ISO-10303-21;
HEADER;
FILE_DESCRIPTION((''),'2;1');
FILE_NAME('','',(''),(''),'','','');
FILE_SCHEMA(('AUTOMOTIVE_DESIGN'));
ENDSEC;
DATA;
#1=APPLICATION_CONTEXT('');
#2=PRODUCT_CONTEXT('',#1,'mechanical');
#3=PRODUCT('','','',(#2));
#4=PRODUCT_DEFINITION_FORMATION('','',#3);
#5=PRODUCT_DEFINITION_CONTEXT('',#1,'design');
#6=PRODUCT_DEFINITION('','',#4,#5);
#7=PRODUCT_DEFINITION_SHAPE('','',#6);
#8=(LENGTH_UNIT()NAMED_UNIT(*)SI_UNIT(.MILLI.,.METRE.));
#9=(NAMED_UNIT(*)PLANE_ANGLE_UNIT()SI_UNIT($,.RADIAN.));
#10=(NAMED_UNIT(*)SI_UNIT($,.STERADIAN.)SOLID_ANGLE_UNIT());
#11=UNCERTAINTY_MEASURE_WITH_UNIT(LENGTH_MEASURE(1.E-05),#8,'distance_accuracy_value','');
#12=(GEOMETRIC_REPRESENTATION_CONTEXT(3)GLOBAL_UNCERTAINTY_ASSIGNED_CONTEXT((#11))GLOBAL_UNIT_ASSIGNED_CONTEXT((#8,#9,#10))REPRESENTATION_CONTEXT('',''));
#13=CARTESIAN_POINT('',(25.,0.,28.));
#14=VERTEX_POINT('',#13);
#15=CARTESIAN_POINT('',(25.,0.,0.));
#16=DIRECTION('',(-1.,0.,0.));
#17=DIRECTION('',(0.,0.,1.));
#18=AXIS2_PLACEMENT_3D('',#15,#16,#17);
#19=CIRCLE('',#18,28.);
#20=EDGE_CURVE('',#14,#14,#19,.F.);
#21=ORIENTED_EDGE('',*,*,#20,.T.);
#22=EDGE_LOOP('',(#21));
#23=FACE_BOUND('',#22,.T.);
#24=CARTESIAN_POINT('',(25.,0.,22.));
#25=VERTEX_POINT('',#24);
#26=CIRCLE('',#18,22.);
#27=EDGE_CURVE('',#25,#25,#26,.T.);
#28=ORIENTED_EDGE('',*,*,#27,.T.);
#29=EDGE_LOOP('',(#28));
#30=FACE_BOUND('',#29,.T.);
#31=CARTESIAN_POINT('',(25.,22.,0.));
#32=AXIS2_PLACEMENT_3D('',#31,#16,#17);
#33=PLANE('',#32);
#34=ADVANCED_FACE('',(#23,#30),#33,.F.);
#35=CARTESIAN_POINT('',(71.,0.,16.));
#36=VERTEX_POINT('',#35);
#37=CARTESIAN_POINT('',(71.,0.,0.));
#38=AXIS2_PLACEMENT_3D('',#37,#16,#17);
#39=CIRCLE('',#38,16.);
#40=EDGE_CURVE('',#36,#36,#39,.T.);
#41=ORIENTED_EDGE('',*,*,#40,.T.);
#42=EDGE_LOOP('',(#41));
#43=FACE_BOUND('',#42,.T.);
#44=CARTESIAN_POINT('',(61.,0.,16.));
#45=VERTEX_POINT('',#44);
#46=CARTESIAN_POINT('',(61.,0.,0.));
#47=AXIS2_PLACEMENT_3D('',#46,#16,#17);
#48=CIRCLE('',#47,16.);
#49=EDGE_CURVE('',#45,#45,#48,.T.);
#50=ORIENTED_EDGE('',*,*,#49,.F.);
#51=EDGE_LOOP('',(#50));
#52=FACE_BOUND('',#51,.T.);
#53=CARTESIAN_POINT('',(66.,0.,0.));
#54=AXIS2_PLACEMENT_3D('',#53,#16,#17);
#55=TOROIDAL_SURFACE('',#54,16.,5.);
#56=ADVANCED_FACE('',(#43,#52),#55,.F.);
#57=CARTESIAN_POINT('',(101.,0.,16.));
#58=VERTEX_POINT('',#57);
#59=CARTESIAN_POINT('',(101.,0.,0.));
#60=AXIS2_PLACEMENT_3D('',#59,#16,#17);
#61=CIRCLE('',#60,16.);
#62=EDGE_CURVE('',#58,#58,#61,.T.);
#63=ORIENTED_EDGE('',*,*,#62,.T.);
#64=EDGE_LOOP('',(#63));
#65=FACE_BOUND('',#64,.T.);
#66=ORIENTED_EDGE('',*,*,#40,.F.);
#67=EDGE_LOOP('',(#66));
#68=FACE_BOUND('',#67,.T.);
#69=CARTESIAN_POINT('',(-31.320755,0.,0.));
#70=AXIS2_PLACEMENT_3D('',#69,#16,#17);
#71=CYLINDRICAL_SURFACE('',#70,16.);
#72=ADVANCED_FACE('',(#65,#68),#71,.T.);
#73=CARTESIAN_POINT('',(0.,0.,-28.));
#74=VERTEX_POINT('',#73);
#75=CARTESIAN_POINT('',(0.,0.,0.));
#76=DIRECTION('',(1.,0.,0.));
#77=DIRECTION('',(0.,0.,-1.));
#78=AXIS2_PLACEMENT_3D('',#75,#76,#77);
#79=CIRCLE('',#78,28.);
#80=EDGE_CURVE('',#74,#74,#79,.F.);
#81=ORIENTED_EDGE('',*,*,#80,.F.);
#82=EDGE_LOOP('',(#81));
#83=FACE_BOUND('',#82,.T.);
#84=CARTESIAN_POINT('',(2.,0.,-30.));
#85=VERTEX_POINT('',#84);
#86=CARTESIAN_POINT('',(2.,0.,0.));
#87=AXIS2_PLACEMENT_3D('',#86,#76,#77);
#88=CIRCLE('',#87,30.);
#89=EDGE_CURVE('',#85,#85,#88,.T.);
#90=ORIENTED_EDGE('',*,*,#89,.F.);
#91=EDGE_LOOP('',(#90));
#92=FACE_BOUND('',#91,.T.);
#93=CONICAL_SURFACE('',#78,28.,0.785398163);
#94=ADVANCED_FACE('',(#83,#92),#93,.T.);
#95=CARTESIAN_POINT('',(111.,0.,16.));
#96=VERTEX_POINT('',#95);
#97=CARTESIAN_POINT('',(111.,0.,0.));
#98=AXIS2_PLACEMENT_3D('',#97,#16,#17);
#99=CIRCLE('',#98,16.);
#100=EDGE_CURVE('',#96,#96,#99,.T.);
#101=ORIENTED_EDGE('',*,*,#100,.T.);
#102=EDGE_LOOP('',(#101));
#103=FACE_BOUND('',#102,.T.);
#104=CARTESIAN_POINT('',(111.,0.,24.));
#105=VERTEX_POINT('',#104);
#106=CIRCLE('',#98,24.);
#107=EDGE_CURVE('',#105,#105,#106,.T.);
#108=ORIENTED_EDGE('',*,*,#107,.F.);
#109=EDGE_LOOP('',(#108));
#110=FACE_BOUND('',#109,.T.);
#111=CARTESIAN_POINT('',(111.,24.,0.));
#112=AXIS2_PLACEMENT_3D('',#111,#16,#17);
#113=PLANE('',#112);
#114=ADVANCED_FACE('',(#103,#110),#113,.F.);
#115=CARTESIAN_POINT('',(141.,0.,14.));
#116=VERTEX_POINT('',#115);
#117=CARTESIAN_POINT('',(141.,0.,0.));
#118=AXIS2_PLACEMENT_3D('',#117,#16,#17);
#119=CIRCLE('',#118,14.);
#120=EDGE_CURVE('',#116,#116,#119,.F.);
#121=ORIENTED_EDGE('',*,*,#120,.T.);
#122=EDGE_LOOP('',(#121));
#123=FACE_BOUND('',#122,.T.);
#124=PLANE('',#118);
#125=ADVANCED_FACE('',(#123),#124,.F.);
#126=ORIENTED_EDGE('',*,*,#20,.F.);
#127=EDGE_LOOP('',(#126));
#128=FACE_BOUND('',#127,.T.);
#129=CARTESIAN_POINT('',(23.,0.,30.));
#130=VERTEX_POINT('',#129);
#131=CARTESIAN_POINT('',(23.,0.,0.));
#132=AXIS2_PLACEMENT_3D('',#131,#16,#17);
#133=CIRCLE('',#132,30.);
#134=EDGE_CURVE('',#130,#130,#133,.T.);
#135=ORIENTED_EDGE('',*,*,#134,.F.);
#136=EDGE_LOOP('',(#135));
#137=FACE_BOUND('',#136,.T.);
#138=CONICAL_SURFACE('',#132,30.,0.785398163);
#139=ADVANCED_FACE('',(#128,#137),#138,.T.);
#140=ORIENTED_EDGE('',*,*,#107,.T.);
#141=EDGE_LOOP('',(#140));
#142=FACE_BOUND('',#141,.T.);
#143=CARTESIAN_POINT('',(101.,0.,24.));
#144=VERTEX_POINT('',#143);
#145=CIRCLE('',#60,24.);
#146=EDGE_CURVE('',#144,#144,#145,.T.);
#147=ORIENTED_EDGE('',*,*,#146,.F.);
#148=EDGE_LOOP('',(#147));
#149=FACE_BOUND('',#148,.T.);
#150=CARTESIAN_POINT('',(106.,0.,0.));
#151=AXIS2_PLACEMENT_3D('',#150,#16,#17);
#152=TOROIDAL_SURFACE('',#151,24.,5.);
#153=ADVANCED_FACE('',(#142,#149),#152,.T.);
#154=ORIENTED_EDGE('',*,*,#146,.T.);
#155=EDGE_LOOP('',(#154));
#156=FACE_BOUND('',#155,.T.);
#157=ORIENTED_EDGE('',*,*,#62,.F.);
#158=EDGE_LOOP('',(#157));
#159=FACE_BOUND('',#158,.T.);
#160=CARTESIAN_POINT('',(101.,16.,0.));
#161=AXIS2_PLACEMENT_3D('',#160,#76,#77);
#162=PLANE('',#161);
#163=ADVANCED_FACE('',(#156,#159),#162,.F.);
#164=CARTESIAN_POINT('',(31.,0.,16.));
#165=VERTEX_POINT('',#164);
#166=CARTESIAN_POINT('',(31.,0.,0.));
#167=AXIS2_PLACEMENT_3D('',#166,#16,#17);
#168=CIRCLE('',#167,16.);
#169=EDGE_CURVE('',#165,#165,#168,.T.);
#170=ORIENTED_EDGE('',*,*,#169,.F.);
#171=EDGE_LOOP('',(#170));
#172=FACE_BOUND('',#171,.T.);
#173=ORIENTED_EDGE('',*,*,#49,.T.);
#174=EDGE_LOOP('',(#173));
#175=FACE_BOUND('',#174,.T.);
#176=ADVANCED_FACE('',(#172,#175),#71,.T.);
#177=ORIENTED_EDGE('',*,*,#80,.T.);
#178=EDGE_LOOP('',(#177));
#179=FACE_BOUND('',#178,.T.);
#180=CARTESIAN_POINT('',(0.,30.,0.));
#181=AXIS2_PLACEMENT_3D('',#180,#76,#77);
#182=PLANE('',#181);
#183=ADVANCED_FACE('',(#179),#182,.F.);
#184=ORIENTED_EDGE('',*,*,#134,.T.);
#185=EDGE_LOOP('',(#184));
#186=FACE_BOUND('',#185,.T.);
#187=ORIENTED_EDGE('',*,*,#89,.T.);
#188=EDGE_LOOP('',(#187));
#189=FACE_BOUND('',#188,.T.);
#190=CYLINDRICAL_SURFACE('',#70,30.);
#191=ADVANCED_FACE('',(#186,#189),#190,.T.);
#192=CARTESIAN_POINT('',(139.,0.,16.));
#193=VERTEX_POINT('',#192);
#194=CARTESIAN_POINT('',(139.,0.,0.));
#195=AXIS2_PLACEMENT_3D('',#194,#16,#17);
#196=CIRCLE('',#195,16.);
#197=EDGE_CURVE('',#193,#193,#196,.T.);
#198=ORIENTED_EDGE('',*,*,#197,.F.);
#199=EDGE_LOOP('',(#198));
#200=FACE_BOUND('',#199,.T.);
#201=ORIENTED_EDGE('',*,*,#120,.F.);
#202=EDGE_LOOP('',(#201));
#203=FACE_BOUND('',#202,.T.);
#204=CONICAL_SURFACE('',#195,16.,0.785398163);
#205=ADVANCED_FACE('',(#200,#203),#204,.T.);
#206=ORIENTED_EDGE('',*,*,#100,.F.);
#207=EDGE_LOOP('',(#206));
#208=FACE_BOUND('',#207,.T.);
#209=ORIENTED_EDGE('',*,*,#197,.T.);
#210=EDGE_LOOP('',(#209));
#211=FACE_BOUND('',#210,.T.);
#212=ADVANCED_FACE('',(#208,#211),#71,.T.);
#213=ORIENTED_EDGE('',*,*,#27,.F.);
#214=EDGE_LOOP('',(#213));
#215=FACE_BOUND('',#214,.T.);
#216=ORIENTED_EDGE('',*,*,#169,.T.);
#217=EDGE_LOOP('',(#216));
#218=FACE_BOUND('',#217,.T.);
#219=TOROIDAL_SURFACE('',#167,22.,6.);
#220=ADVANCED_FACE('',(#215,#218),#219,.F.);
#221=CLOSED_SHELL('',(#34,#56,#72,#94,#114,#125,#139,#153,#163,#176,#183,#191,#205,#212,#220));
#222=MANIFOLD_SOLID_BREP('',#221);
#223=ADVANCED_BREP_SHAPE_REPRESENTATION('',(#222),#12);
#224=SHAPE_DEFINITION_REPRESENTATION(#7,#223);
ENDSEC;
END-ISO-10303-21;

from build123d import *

# Parameters (mm, degrees)
CHAMFER1_SIZE = 2


with BuildPart() as part:
    # Sketch1 → Revolve1 (revolve)
    with BuildSketch(Plane.XY, mode=Mode.PRIVATE) as revolve1_sk:
        with BuildLine():
            Line((0, 0), (141, 0))
            Line((141, 0), (141, 16))
            Line((141, 16), (111, 16))
            Line((111, 16), (111, 24))
            ThreePointArc((111, 24), (106, 29), (101, 24))
            Line((101, 24), (101, 16))
            Line((101, 16), (71, 16))
            ThreePointArc((71, 16), (66, 11), (61, 16))
            Line((61, 16), (31, 16))
            ThreePointArc((31, 16), (26.757359313, 17.757359313), (25, 22))
            Line((25, 22), (25, 30))
            Line((25, 30), (0, 30))
            Line((0, 30), (0, 0))
        make_face()
    revolve(revolve1_sk.sketch.rotate(Axis((-31.320754717, 0, 0), (1, 0, 0)), 90), axis=Axis((-31.320754717, 0, 0), (1, 0, 0)))

    # Chamfer1
    chamfer1_edges = [part.edges().sort_by_distance(p)[0] for p in [
        (141, 0, -16),
        (25, 0, -30),
        (0, 0, -30),
    ]]
    chamfer(chamfer1_edges, length=CHAMFER1_SIZE)


solid = part.part
